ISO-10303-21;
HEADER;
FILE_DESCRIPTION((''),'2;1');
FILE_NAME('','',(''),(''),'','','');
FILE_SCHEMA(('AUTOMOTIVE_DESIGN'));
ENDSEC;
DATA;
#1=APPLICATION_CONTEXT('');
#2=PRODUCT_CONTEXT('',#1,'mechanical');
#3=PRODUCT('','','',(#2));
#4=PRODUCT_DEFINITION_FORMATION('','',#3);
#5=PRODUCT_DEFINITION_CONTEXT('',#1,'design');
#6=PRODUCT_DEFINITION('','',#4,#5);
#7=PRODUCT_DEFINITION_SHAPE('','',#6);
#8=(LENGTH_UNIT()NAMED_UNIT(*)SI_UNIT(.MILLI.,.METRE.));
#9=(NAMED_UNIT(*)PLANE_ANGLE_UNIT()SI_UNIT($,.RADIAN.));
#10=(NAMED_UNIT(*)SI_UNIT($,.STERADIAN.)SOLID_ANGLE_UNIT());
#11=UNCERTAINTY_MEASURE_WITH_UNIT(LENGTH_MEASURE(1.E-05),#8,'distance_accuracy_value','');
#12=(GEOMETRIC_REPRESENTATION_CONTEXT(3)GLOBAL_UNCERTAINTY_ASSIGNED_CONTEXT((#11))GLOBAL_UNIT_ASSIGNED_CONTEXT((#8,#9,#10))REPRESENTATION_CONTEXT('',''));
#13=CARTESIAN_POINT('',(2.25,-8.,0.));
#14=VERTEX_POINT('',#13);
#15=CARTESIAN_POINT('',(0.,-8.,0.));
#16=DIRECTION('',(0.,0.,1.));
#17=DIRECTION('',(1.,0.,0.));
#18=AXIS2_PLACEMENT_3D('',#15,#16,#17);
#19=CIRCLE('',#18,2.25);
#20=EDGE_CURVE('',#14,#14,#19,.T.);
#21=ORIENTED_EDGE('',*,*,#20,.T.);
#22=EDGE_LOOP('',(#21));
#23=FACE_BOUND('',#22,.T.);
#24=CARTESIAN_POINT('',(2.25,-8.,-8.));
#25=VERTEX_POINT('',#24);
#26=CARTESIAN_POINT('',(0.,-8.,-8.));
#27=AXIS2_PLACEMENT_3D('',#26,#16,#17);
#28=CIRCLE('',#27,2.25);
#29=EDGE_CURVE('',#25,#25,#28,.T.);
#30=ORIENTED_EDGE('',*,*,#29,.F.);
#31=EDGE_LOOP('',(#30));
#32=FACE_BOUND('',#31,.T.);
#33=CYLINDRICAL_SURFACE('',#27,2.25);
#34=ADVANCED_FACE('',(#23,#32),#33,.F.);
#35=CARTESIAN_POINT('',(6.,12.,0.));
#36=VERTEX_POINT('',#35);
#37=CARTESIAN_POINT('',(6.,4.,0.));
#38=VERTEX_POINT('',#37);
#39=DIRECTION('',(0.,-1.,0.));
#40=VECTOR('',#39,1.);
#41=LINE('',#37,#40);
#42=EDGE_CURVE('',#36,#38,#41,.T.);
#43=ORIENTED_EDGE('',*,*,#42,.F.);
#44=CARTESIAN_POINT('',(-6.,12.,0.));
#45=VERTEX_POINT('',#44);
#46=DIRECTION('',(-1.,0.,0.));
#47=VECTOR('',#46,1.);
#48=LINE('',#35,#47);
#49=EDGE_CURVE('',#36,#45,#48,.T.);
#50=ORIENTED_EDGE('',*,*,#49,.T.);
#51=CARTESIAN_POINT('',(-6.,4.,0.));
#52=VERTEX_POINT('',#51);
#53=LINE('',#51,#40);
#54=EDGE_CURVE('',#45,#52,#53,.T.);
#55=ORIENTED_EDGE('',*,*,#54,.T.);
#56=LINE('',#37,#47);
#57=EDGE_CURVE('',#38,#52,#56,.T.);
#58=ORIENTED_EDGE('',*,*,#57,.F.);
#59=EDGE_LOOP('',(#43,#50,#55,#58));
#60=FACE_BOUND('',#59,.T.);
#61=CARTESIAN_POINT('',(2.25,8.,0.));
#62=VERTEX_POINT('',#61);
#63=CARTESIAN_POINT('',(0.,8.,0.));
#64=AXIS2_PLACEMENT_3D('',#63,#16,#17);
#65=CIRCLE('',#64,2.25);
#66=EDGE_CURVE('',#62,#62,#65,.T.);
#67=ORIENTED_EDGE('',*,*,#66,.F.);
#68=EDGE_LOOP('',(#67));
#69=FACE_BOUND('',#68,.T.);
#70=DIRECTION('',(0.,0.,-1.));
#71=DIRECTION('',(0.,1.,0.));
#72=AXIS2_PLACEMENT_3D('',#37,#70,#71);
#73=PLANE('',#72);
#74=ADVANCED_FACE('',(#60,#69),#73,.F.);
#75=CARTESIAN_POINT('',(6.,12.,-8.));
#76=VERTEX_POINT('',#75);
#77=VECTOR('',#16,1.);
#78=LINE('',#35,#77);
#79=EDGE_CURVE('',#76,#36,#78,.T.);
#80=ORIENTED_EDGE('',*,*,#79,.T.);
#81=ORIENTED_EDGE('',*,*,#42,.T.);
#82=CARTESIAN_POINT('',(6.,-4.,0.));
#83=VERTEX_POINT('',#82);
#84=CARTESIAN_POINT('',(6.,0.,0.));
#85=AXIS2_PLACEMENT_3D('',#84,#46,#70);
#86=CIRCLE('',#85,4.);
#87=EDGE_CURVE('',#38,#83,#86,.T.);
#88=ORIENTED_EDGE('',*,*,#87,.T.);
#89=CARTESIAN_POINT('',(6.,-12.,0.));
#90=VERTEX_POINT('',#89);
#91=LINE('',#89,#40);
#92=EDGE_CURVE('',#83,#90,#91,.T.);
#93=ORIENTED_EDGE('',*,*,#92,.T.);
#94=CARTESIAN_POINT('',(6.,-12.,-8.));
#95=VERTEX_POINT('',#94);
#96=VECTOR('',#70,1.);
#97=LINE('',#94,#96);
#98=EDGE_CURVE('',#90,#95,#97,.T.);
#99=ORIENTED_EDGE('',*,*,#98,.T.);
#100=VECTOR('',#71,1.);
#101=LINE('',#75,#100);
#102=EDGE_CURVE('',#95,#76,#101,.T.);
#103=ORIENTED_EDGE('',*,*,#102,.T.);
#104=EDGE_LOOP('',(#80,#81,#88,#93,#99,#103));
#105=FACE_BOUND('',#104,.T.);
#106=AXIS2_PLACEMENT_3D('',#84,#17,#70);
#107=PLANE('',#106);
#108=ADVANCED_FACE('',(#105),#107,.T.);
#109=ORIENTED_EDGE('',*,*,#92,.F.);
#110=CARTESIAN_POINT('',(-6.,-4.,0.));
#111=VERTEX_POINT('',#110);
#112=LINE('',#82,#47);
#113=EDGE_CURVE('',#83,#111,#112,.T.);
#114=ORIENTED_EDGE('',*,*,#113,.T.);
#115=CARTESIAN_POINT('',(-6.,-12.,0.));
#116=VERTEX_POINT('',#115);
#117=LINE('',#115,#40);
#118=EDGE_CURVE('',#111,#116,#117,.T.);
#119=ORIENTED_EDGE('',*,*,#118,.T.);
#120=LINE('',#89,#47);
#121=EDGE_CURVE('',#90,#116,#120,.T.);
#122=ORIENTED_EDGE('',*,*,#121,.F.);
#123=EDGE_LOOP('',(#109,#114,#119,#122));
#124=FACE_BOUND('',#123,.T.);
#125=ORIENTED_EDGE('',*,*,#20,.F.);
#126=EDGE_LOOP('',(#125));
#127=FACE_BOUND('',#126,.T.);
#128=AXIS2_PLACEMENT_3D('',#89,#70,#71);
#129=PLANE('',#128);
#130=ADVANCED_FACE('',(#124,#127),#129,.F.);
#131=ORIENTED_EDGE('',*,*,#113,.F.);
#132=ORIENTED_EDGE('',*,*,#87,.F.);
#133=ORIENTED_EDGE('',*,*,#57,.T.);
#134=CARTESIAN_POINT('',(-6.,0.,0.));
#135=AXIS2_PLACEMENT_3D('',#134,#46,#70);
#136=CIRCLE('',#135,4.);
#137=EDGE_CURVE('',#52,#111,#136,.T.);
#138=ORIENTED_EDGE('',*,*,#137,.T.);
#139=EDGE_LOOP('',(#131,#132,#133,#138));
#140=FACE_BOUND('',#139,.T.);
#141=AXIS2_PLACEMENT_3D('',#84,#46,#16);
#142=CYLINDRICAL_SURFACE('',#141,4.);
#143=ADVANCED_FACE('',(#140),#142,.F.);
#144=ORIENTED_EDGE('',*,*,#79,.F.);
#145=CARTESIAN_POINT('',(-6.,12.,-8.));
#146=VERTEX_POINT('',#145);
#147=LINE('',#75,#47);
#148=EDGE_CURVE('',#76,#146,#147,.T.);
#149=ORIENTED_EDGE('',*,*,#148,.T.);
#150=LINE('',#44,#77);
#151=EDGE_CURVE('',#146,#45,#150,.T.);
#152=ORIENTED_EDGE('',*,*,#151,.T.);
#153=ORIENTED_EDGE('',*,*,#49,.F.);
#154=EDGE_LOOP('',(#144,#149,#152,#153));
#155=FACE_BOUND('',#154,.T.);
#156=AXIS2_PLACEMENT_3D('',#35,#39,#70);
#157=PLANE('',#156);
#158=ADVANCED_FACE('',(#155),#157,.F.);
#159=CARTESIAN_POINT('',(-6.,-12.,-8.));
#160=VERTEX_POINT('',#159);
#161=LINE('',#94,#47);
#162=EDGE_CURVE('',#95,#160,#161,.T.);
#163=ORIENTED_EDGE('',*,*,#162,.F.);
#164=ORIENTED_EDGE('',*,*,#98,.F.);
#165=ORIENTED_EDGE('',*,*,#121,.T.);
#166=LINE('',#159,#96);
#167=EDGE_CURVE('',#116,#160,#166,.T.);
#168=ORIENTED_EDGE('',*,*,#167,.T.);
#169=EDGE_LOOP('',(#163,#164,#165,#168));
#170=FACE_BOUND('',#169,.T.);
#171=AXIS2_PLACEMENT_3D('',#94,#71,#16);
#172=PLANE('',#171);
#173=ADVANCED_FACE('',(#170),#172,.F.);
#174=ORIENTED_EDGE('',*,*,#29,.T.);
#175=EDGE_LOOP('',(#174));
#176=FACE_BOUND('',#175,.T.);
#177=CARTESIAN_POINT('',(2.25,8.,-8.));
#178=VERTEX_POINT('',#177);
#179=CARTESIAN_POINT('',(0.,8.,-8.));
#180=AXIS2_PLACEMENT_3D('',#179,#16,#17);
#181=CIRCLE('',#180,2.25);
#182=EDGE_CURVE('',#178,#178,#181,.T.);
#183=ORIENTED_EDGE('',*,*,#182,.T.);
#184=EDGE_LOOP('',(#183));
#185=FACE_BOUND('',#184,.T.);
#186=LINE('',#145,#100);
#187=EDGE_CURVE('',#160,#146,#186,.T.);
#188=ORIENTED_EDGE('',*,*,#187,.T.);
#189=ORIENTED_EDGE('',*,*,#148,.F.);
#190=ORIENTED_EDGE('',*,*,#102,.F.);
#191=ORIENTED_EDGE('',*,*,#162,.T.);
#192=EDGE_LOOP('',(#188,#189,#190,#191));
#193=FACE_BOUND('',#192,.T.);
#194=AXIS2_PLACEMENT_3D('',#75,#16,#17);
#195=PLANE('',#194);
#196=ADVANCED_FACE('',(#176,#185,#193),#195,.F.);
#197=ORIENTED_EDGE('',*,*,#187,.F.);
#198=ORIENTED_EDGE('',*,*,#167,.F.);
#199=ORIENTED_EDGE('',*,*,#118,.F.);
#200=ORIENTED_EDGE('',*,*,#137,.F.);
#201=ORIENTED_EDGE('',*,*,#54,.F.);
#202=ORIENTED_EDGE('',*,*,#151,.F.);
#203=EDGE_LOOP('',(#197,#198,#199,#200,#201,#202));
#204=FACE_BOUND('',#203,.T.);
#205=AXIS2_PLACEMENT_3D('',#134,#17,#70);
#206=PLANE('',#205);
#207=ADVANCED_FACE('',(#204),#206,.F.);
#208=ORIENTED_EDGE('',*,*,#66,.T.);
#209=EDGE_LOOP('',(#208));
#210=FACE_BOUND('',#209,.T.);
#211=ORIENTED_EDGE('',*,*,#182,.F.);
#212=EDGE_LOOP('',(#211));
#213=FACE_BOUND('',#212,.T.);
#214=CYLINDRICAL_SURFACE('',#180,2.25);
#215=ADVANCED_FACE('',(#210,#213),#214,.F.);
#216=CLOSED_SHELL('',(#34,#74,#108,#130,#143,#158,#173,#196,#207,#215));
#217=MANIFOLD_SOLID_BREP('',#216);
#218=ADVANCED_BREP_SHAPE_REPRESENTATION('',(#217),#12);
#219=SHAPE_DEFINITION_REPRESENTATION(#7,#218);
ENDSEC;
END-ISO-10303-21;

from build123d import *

# Parameters (mm, degrees)
BOSS_EXTRUDE1_DEPTH = 6
SKETCH2_R           = 2.25
CUT_EXTRUDE1_DEPTH  = 16.620499352


with BuildPart() as part:
    # Sketch1 → Boss-Extrude1 (new, symmetric)
    with BuildSketch(Plane(origin=(0, 0, 0), x_dir=(0, 0, -1), z_dir=(1, 0, 0))):
        with BuildLine():
            Line((0, 4), (0, 12))
            Line((0, 12), (8, 12))
            Line((8, 12), (8, -12))
            Line((8, -12), (0, -12))
            Line((0, -12), (0, -4))
            ThreePointArc((0, -4), (4, 0), (0, 4))
        make_face()
    extrude(amount=BOSS_EXTRUDE1_DEPTH, both=True)

    # Sketch2 → Cut-Extrude1 (cut, through all)
    with BuildSketch(Plane.XY):
        with Locations((0, 8)):
            Circle(SKETCH2_R)
        with Locations((0, -8)):
            Circle(SKETCH2_R)
    extrude(amount=-CUT_EXTRUDE1_DEPTH, mode=Mode.SUBTRACT)


solid = part.part
